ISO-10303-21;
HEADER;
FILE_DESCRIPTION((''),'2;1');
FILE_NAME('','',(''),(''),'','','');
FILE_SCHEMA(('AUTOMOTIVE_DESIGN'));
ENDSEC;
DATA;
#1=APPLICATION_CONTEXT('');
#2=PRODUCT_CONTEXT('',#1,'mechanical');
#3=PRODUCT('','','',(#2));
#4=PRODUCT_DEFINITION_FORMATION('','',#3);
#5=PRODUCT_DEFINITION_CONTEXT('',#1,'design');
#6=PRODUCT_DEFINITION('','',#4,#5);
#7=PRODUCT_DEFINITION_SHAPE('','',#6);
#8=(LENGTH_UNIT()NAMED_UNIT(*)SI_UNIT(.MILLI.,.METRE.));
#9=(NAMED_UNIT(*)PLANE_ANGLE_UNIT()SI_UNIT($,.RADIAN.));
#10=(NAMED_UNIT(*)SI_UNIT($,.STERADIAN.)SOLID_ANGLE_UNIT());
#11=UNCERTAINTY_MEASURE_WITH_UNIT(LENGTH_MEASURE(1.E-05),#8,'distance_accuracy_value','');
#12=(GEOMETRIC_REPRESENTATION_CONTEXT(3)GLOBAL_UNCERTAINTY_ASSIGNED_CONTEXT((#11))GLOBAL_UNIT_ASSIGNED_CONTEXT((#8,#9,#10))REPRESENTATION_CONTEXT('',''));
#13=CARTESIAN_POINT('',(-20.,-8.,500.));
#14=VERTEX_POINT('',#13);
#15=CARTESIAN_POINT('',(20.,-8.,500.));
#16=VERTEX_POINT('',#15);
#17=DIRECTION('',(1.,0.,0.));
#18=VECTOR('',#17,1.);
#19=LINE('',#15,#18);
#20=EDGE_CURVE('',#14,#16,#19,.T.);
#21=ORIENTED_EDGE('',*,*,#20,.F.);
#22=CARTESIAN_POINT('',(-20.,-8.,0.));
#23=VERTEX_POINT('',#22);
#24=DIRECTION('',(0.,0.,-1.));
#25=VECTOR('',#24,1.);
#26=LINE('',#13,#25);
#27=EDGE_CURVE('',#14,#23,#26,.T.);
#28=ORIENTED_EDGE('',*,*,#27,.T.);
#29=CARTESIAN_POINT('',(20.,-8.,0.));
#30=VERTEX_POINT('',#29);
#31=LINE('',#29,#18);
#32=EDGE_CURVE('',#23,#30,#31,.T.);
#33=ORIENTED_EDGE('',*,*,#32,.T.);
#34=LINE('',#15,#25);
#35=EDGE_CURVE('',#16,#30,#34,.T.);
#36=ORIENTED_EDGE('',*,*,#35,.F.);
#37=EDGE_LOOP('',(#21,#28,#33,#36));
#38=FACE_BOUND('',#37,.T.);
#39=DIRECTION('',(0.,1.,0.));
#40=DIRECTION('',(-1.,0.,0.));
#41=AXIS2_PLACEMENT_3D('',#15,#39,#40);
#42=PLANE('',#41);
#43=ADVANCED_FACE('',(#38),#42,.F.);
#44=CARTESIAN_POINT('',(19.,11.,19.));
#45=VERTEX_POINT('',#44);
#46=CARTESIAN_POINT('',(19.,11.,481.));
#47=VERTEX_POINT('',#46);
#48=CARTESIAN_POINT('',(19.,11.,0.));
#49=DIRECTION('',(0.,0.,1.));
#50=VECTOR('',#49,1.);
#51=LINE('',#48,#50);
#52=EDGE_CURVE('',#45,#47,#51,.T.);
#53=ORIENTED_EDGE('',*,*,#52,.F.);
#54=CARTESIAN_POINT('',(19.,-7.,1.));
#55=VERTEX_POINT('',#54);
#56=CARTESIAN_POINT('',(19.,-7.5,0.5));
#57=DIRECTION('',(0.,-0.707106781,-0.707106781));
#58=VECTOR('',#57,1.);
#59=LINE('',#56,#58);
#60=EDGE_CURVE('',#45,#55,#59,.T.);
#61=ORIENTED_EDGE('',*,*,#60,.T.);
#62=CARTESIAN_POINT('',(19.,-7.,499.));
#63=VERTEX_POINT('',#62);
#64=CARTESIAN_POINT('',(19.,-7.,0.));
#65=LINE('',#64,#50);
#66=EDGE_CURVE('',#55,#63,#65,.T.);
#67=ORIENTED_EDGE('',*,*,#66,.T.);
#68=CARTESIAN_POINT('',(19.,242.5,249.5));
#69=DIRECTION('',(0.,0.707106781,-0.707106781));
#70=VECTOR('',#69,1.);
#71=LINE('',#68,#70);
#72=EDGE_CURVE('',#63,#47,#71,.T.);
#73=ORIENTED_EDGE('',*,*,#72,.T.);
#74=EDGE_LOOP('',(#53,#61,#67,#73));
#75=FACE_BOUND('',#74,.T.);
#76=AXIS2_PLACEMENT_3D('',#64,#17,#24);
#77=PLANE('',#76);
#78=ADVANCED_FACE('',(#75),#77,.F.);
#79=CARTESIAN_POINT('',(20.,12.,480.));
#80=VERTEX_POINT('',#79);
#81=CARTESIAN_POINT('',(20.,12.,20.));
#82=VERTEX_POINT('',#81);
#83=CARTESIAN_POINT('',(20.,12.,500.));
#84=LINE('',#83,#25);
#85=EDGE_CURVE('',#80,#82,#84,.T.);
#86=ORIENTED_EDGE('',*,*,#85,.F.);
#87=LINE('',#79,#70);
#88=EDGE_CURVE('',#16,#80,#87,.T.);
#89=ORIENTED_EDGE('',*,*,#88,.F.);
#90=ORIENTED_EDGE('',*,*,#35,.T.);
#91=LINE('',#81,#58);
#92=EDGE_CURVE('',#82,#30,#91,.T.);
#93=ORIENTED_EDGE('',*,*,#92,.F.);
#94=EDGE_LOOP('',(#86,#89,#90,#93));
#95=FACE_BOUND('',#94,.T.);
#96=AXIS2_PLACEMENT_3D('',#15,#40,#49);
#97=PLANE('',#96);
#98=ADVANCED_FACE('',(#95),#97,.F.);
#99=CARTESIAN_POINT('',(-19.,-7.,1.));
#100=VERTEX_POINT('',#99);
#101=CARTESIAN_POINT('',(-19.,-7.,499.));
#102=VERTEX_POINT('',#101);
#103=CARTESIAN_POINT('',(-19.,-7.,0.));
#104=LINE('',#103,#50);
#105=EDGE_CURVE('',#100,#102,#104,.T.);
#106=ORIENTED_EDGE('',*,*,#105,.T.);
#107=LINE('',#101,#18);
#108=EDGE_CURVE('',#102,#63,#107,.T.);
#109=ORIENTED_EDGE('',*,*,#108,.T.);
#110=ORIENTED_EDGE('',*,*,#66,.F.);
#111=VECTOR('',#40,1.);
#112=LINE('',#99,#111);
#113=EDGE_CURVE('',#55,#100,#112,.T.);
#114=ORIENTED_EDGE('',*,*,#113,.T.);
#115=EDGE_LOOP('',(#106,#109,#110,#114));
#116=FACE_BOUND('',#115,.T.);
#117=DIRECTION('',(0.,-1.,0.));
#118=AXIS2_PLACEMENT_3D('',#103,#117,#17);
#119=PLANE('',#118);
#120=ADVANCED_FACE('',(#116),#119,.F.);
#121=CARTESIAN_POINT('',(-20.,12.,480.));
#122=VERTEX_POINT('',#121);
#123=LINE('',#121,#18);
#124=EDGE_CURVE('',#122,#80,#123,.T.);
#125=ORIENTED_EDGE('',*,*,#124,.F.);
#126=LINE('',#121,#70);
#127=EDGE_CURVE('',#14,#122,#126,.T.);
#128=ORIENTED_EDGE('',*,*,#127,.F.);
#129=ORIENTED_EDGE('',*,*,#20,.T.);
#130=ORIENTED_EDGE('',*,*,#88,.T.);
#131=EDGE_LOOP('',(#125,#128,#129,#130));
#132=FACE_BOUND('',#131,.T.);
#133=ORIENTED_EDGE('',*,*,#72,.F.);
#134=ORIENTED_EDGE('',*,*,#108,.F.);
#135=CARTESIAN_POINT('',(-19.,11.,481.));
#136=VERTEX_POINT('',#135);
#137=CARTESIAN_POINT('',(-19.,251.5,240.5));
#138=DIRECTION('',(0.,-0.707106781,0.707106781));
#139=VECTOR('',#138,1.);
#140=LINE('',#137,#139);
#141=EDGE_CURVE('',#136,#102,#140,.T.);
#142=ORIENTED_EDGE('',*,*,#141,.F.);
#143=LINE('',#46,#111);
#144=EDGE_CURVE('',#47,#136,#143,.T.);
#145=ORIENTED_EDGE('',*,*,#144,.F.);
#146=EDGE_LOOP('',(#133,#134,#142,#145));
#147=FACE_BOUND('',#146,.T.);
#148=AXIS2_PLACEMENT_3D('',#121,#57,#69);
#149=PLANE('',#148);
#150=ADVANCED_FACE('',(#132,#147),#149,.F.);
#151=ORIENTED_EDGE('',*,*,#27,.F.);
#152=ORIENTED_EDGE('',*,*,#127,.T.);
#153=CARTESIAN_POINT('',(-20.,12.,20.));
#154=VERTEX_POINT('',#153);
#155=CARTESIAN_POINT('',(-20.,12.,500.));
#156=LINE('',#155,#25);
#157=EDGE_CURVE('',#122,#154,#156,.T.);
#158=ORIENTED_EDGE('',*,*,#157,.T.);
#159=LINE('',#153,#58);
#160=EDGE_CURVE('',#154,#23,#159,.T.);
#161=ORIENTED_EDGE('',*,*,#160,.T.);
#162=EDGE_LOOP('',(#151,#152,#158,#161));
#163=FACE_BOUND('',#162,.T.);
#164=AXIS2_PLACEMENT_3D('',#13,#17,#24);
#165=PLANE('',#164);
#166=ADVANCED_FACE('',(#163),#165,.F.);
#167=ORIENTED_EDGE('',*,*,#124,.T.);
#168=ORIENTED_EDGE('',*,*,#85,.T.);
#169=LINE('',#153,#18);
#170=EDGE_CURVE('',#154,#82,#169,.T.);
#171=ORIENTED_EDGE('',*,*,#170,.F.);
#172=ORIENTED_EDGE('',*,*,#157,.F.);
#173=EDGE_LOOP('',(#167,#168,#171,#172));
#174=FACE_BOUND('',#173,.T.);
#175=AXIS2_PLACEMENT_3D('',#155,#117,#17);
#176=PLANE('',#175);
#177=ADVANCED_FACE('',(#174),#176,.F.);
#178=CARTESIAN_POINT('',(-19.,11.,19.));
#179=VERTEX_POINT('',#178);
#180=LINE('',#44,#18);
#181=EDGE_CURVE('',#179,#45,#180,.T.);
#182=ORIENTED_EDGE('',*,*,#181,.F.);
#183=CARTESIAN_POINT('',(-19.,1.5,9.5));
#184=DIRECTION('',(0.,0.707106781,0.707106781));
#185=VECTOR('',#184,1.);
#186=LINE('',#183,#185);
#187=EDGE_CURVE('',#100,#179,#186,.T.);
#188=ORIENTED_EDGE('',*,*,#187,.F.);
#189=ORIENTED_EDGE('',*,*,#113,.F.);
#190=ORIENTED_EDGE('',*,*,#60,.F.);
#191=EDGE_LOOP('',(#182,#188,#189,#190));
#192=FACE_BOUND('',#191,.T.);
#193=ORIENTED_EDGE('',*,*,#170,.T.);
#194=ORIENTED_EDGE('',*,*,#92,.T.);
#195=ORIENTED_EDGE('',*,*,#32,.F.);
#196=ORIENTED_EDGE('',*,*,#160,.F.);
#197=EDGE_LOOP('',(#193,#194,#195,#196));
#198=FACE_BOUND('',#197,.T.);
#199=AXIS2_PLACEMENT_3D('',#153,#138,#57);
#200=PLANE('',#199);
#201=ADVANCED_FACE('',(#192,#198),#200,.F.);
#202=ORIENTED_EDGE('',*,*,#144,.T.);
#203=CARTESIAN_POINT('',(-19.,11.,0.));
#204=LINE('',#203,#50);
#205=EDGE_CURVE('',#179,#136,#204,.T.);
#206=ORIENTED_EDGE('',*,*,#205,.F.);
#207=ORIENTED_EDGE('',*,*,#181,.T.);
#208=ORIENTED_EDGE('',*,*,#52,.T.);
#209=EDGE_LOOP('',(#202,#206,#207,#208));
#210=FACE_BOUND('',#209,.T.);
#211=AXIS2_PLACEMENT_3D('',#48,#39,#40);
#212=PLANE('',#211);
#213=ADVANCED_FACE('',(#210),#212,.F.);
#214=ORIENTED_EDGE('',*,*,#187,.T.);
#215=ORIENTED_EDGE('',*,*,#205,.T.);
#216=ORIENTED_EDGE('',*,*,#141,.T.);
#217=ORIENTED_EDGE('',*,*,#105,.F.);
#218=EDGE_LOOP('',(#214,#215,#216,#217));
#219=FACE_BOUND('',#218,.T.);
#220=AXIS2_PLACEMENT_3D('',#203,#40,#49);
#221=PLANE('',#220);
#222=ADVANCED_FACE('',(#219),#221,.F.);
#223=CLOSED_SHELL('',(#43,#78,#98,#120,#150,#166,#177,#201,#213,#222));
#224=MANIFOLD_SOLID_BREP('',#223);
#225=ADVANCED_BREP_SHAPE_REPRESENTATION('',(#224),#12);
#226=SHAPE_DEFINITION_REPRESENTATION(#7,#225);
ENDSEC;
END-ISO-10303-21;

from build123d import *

# Parameters (mm, degrees)
SKETCH1_W           = 40
SKETCH1_H           = 20
BOSS_EXTRUDE1_DEPTH = 500
SKETCH3_W           = 38
SKETCH3_H           = 18
CUT_EXTRUDE1_DEPTH  = 501
CUT_EXTRUDE2_DEPTH  = 41


with BuildPart() as part:
    # Sketch1 → Boss-Extrude1 (new body)
    with BuildSketch(Plane.XY):
        with Locations((0, 2)):
            Rectangle(SKETCH1_W, SKETCH1_H)
    extrude(amount=BOSS_EXTRUDE1_DEPTH)

    # Sketch3 → Cut-Extrude1 (cut, through all)
    with BuildSketch(Plane.XY.offset(500)):
        with Locations((0, 2)):
            Rectangle(SKETCH3_W, SKETCH3_H)
    extrude(amount=-CUT_EXTRUDE1_DEPTH, mode=Mode.SUBTRACT)

    # Sketch4 → Cut-Extrude2 (cut, through all)
    with BuildSketch(Plane(origin=(20, 0, 0), x_dir=(0, 0, -1), z_dir=(1, 0, 0))):
        Polygon((-500, 12), (-480, 12), (-500, -8), align=None)
        Polygon((0, 12), (-20, 12), (0, -8), align=None)
    extrude(amount=-CUT_EXTRUDE2_DEPTH, mode=Mode.SUBTRACT)


solid = part.part
